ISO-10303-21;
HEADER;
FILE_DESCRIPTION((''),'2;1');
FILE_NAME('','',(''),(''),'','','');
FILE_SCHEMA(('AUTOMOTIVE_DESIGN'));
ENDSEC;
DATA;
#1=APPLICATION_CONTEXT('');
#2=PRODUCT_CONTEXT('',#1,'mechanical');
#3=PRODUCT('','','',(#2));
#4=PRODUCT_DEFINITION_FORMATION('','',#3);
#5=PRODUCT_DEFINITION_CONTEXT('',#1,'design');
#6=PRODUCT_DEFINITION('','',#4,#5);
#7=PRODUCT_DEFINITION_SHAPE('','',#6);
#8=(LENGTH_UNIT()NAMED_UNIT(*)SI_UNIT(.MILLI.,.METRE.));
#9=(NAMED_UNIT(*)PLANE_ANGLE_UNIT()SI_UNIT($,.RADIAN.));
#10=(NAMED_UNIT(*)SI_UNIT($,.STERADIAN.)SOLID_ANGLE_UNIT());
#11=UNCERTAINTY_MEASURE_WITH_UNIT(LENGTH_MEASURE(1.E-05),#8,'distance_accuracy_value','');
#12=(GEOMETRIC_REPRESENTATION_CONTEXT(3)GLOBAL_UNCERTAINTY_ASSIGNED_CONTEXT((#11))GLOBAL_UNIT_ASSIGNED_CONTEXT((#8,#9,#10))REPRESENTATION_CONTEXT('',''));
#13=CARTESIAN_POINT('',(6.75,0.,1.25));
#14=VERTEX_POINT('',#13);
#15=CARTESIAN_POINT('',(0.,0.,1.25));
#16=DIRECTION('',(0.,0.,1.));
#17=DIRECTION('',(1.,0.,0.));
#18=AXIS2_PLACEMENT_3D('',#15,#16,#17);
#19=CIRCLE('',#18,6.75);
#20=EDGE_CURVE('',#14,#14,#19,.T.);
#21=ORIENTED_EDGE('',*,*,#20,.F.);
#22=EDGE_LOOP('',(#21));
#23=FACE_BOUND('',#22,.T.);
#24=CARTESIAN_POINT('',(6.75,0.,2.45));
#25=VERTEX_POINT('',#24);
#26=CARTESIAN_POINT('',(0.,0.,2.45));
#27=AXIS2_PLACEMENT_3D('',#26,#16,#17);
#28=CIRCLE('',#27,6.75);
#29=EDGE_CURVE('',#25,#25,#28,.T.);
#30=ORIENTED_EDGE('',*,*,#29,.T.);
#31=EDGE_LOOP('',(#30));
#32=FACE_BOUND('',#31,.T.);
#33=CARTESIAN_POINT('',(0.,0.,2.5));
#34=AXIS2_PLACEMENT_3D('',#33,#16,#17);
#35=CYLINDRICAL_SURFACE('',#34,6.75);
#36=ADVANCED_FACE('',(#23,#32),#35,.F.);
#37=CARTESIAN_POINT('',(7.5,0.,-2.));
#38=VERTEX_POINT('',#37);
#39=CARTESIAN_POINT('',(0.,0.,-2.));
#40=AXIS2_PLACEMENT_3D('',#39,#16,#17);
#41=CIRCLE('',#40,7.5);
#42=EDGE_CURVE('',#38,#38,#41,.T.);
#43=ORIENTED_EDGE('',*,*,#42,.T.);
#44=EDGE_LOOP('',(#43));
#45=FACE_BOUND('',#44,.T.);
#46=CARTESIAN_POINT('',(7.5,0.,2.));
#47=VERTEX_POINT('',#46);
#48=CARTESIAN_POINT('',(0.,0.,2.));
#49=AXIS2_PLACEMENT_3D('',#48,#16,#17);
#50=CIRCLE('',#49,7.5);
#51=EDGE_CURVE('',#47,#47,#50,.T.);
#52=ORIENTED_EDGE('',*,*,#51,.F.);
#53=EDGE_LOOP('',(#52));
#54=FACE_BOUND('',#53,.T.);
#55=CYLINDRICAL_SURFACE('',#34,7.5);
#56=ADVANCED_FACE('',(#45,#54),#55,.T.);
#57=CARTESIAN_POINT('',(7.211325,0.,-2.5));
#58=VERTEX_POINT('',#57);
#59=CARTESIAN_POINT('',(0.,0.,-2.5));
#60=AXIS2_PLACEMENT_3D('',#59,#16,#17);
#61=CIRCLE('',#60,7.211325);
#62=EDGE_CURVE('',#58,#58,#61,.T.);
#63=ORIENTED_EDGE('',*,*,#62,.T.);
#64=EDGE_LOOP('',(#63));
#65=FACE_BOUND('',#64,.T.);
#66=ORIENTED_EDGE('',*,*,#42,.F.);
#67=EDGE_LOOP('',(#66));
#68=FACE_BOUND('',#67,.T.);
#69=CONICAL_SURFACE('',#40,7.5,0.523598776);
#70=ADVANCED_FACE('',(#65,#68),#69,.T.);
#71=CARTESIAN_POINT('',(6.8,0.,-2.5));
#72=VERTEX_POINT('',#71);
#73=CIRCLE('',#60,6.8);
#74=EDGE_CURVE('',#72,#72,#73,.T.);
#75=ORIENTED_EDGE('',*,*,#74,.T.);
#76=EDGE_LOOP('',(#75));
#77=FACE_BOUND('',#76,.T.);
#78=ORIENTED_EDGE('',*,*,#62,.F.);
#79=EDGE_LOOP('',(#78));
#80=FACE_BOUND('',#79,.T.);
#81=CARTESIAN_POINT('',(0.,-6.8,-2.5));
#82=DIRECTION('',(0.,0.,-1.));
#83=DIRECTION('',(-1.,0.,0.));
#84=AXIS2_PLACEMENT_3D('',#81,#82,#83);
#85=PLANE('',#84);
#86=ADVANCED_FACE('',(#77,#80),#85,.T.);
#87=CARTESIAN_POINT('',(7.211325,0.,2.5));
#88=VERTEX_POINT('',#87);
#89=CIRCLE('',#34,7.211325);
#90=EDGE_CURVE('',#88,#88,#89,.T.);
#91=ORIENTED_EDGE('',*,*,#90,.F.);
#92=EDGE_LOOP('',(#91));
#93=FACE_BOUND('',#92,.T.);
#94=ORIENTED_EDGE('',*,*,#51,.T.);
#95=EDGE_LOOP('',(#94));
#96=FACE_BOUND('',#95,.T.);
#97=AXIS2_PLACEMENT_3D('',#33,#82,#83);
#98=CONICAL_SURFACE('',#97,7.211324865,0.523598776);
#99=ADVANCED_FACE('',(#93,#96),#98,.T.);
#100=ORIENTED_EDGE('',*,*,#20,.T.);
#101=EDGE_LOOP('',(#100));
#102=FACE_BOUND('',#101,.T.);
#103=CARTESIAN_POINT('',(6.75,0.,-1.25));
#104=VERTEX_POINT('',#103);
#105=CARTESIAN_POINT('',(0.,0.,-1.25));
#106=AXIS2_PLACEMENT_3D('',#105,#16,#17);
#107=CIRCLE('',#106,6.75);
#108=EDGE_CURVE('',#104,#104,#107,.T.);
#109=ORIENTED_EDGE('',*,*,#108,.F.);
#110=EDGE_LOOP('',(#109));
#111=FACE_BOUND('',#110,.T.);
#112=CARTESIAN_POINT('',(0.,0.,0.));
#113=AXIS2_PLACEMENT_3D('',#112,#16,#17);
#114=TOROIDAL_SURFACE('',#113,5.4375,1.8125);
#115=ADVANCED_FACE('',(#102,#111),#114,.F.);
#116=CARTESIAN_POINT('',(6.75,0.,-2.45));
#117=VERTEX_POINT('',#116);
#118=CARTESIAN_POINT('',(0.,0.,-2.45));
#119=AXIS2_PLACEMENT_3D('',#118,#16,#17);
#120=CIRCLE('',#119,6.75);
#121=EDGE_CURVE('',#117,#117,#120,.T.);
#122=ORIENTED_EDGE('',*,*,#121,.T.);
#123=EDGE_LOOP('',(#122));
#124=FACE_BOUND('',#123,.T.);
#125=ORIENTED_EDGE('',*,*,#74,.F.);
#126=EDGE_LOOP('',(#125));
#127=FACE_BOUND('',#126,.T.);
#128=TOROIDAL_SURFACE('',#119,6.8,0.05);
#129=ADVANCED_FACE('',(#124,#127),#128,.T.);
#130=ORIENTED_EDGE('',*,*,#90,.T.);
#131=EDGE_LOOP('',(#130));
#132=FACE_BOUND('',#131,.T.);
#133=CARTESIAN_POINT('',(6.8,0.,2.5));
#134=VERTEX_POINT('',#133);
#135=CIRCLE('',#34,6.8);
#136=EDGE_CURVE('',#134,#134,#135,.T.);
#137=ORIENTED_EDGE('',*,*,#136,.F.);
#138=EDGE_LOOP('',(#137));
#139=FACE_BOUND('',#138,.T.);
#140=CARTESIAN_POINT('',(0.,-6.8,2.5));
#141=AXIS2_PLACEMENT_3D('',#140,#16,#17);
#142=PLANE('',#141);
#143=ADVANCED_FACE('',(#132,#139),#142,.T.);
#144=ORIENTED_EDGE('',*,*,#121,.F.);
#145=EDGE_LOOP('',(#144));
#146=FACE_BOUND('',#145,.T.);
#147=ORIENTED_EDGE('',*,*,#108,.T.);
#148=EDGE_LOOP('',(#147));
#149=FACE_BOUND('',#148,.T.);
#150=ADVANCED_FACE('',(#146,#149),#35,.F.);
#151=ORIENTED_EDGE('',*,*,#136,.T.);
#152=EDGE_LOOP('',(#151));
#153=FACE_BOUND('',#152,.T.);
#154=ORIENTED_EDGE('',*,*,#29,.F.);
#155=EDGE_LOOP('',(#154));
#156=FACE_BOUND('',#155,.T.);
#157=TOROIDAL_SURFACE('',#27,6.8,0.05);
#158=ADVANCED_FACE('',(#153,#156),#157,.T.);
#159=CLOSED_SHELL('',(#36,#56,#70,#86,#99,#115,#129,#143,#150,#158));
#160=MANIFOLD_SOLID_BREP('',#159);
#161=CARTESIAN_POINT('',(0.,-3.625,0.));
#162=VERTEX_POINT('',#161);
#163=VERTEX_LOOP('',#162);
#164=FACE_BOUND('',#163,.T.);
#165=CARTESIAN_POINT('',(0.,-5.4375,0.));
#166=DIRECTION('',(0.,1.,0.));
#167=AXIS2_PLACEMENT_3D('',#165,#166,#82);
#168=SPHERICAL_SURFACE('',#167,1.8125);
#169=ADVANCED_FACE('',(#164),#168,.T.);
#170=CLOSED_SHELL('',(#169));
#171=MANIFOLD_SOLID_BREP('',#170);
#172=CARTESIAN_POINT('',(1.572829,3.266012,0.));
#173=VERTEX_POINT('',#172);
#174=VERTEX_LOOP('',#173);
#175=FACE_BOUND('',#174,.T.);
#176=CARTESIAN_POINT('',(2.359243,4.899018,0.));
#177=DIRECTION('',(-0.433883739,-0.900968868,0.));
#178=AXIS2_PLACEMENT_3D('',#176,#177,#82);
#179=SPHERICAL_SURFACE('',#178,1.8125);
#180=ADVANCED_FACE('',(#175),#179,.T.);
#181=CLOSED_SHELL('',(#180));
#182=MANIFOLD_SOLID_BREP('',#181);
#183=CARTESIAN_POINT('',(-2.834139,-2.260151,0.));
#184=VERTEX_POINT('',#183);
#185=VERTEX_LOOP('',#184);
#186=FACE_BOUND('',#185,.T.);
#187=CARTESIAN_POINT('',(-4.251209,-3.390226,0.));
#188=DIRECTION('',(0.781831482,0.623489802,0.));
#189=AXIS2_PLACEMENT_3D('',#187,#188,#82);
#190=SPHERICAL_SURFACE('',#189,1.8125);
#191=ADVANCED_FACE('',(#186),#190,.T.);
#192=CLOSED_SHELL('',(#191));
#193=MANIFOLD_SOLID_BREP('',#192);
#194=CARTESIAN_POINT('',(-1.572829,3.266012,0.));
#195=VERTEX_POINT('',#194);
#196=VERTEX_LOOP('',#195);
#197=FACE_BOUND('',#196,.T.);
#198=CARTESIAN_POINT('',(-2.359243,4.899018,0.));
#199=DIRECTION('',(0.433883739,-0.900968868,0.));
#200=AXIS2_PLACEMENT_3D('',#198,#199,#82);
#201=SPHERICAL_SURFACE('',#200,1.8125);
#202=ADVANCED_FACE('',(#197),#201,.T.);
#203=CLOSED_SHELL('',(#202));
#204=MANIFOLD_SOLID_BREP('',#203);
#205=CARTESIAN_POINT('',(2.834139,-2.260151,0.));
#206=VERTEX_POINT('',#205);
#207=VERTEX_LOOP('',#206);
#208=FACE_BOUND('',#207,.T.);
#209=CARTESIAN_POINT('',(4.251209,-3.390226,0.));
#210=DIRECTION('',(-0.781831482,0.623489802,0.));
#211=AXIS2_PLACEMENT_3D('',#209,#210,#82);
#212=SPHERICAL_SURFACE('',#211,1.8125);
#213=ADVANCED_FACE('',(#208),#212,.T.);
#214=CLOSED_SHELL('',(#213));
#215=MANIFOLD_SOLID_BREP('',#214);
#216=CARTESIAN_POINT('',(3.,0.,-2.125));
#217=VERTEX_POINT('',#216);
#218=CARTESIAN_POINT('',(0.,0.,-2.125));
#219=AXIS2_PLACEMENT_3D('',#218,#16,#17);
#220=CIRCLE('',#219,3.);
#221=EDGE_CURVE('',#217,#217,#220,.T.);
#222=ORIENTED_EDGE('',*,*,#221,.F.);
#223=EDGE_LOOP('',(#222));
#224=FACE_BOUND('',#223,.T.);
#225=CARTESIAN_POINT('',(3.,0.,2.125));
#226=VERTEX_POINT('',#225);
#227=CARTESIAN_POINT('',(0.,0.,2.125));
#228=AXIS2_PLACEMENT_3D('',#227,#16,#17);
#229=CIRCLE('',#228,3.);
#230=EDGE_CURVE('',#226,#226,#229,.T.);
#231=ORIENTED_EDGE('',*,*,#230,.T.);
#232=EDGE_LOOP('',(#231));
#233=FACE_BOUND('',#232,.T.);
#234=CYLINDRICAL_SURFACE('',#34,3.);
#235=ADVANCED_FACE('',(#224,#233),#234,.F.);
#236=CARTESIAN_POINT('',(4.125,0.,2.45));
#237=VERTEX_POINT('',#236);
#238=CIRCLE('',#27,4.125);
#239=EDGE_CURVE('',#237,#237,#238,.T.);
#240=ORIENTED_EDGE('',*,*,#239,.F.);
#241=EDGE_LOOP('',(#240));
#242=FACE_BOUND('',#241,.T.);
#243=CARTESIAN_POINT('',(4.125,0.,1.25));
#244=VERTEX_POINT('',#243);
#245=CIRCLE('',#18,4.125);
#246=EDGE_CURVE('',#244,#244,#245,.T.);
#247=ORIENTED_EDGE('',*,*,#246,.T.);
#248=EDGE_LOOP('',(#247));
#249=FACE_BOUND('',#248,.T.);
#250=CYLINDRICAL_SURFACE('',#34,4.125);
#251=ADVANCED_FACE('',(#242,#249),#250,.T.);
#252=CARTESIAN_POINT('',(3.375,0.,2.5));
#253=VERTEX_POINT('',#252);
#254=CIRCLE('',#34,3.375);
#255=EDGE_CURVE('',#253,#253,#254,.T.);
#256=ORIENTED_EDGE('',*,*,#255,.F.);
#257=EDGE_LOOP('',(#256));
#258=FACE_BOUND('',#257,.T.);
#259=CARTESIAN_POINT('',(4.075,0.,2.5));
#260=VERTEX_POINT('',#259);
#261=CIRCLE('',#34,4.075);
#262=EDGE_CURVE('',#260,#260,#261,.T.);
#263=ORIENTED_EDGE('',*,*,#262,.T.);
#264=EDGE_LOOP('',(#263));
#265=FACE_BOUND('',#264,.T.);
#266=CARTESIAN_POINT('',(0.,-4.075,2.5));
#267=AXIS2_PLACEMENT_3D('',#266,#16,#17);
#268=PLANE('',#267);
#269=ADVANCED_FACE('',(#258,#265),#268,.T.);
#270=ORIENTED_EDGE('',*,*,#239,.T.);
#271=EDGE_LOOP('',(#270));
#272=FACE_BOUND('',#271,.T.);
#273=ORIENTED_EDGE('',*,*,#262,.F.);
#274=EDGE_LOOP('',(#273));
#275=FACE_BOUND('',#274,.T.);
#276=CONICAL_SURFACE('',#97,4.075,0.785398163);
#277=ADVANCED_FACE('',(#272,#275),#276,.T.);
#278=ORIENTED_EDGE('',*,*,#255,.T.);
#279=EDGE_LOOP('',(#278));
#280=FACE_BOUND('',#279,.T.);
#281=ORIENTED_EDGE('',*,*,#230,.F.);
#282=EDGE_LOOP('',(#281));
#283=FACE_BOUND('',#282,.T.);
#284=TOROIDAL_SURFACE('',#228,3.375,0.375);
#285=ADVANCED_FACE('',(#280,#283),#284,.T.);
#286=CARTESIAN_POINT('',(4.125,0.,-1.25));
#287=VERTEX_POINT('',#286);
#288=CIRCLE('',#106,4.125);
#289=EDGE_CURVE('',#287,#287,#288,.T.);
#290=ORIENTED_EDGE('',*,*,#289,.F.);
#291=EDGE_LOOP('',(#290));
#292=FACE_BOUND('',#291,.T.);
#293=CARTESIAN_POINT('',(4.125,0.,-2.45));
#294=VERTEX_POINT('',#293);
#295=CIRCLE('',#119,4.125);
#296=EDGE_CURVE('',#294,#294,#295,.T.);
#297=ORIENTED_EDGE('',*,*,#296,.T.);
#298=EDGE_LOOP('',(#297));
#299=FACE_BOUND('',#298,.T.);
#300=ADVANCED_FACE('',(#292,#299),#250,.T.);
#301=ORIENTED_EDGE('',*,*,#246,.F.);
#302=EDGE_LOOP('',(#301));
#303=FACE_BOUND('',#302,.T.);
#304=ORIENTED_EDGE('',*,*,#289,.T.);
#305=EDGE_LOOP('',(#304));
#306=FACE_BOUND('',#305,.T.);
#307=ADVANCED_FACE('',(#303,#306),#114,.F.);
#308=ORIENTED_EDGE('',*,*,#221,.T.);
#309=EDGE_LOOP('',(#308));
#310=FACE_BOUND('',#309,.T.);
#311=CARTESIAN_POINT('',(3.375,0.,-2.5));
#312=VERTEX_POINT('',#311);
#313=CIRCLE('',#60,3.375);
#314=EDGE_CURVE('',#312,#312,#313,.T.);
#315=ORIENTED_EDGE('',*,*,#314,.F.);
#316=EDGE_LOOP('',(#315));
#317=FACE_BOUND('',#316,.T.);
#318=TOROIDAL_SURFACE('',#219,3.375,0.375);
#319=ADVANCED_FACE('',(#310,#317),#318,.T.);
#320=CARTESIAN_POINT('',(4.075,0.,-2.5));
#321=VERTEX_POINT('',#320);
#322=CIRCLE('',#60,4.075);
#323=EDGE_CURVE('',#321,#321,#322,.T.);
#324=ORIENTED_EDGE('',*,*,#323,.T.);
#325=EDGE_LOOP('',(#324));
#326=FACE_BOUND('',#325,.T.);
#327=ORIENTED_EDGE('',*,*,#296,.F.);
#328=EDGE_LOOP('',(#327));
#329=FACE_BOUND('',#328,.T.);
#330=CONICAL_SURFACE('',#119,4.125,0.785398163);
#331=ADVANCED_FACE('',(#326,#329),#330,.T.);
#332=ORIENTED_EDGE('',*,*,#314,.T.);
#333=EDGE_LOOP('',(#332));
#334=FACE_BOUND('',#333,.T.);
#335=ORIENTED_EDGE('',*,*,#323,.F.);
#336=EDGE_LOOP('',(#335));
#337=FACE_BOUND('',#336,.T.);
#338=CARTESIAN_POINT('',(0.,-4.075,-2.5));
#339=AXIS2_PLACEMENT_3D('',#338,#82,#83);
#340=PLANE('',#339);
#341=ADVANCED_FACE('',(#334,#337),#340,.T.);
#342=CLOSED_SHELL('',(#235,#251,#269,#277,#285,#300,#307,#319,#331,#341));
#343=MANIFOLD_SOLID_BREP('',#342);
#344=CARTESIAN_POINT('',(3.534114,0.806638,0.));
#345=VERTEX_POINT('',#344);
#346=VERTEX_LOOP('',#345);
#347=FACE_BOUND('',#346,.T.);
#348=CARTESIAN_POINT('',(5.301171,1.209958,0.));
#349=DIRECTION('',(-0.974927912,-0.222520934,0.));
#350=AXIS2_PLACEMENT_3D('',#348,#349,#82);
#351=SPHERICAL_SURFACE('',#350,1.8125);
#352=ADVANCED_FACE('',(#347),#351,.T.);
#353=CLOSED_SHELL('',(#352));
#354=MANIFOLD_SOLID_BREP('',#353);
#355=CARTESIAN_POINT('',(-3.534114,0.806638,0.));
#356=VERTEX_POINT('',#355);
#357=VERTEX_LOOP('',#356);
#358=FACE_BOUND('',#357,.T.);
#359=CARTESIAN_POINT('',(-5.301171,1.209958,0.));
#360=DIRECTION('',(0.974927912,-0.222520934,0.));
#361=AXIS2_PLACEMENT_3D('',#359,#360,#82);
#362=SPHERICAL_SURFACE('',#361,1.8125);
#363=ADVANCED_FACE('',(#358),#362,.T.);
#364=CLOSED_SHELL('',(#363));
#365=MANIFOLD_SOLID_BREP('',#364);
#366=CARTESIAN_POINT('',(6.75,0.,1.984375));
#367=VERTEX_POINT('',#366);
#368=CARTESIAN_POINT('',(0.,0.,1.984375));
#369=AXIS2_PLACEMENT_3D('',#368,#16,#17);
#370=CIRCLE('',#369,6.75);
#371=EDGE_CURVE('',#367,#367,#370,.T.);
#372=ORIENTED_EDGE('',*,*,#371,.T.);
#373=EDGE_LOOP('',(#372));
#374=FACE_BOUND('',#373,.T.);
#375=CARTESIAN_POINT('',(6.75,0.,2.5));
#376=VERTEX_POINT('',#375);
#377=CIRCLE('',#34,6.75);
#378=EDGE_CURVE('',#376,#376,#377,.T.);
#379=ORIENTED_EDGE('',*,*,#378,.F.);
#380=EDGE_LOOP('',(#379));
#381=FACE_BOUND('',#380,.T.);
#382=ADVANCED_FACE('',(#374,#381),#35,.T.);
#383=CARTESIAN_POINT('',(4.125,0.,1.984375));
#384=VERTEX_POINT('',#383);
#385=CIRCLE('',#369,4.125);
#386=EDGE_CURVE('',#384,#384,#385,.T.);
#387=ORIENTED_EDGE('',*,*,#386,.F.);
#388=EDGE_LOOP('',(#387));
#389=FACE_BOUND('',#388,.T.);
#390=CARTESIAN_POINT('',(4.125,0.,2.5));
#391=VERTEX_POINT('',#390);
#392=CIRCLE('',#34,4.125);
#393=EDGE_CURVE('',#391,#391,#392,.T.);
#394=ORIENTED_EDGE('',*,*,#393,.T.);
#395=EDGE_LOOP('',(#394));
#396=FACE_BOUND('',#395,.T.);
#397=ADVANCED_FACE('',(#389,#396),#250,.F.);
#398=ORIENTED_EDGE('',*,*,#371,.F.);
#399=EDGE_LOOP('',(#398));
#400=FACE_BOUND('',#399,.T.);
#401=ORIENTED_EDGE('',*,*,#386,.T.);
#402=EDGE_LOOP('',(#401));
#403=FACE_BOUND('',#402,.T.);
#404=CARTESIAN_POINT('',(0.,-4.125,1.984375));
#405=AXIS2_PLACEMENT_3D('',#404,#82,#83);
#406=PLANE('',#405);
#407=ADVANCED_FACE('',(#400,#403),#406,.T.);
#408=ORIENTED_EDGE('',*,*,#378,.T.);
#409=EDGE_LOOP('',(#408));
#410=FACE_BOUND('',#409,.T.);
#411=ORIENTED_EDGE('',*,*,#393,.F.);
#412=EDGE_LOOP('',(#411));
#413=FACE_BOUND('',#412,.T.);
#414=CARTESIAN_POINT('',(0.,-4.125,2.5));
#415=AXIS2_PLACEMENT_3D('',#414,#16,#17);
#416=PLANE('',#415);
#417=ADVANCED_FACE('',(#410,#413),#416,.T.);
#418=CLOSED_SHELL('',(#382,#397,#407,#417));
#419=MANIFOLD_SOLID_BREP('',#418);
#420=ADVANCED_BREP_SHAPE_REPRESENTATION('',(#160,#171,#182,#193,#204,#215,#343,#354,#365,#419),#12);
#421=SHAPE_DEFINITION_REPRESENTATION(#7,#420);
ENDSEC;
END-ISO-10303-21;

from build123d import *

# Parameters (mm, degrees)
SKETCH4_W         = 0.515625
SKETCH4_H         = 2.625
CIRPATTERN1_COUNT = 7


with BuildPart() as part:
    # Sketch3 → Revolve1 (revolve)
    with BuildSketch(Plane(origin=(0, 0, 0), x_dir=(0, 0, -1), z_dir=(1, 0, 0)), mode=Mode.PRIVATE) as revolve1_sk:
        with BuildLine():
            Line((-2, -7.5), (2, -7.5))
            Line((2, -7.5), (2.5, -7.211324865))
            Line((2.5, -7.211324865), (2.5, -6.8))
            ThreePointArc((2.5, -6.8), (2.485355339, -6.764644661), (2.45, -6.75))
            Line((2.45, -6.75), (1.25, -6.75))
            ThreePointArc((1.25, -6.75), (0, -7.25), (-1.25, -6.75))
            Line((-1.25, -6.75), (-2.45, -6.75))
            ThreePointArc((-2.45, -6.75), (-2.485355339, -6.764644661), (-2.5, -6.8))
            Line((-2.5, -6.8), (-2.5, -7.211324865))
            Line((-2.5, -7.211324865), (-2, -7.5))
        make_face()
        with BuildLine():
            Line((-2.125, -3), (2.125, -3))
            ThreePointArc((2.125, -3), (2.390165043, -3.109834957), (2.5, -3.375))
            Line((2.5, -3.375), (2.5, -4.075))
            Line((2.5, -4.075), (2.45, -4.125))
            Line((2.45, -4.125), (1.25, -4.125))
            ThreePointArc((1.25, -4.125), (0, -3.625), (-1.25, -4.125))
            Line((-1.25, -4.125), (-2.45, -4.125))
            Line((-2.45, -4.125), (-2.5, -4.075))
            Line((-2.5, -4.075), (-2.5, -3.375))
            ThreePointArc((-2.5, -3.375), (-2.390165043, -3.109834957), (-2.125, -3))
        make_face()
    revolve(revolve1_sk.sketch.rotate(Axis((0, 0, 2.5), (0, 0, -1)), 270), axis=Axis((0, 0, 2.5), (0, 0, -1)))


with BuildPart() as body_2:
    # Sketch4 → Revolve2 (revolve)
    with BuildSketch(Plane(origin=(0, 0, 0), x_dir=(0, 0, -1), z_dir=(1, 0, 0)), mode=Mode.PRIVATE) as revolve2_sk:
        with Locations((-2.2421875, -5.4375)):
            Rectangle(SKETCH4_W, SKETCH4_H)
    revolve(revolve2_sk.sketch.rotate(Axis((0, 0, 2.5), (0, 0, -1)), 270), axis=Axis((0, 0, 2.5), (0, 0, -1)))


with BuildPart() as body_3:
    # Sketch5 → Revolve3 (revolve)
    with BuildSketch(Plane(origin=(0, 0, 0), x_dir=(0, 0, -1), z_dir=(1, 0, 0))):
        with BuildLine():
            Line((0, -3.625), (0, -7.25))
            ThreePointArc((0, -7.25), (-1.8125, -5.4375), (0, -3.625))
        make_face()
    revolve(axis=Axis((0, 0, 0), (0, -1, 0)))


with BuildPart() as cirpattern1_1:
    # CirPattern1: pattern copy
    add(body_3.part.rotate(Axis((0, 0, 0), (0, 0, 1)), 1 * 360 / CIRPATTERN1_COUNT))


with BuildPart() as cirpattern1_2:
    # CirPattern1: pattern copy
    add(body_3.part.rotate(Axis((0, 0, 0), (0, 0, 1)), 2 * 360 / CIRPATTERN1_COUNT))


with BuildPart() as cirpattern1_3:
    # CirPattern1: pattern copy
    add(body_3.part.rotate(Axis((0, 0, 0), (0, 0, 1)), 3 * 360 / CIRPATTERN1_COUNT))


with BuildPart() as cirpattern1_4:
    # CirPattern1: pattern copy
    add(body_3.part.rotate(Axis((0, 0, 0), (0, 0, 1)), 4 * 360 / CIRPATTERN1_COUNT))


with BuildPart() as cirpattern1_5:
    # CirPattern1: pattern copy
    add(body_3.part.rotate(Axis((0, 0, 0), (0, 0, 1)), 5 * 360 / CIRPATTERN1_COUNT))


with BuildPart() as cirpattern1_6:
    # CirPattern1: pattern copy
    add(body_3.part.rotate(Axis((0, 0, 0), (0, 0, 1)), 6 * 360 / CIRPATTERN1_COUNT))


solid = Compound([part.part, body_2.part, body_3.part, cirpattern1_1.part, cirpattern1_2.part, cirpattern1_3.part, cirpattern1_4.part, cirpattern1_5.part, cirpattern1_6.part])
